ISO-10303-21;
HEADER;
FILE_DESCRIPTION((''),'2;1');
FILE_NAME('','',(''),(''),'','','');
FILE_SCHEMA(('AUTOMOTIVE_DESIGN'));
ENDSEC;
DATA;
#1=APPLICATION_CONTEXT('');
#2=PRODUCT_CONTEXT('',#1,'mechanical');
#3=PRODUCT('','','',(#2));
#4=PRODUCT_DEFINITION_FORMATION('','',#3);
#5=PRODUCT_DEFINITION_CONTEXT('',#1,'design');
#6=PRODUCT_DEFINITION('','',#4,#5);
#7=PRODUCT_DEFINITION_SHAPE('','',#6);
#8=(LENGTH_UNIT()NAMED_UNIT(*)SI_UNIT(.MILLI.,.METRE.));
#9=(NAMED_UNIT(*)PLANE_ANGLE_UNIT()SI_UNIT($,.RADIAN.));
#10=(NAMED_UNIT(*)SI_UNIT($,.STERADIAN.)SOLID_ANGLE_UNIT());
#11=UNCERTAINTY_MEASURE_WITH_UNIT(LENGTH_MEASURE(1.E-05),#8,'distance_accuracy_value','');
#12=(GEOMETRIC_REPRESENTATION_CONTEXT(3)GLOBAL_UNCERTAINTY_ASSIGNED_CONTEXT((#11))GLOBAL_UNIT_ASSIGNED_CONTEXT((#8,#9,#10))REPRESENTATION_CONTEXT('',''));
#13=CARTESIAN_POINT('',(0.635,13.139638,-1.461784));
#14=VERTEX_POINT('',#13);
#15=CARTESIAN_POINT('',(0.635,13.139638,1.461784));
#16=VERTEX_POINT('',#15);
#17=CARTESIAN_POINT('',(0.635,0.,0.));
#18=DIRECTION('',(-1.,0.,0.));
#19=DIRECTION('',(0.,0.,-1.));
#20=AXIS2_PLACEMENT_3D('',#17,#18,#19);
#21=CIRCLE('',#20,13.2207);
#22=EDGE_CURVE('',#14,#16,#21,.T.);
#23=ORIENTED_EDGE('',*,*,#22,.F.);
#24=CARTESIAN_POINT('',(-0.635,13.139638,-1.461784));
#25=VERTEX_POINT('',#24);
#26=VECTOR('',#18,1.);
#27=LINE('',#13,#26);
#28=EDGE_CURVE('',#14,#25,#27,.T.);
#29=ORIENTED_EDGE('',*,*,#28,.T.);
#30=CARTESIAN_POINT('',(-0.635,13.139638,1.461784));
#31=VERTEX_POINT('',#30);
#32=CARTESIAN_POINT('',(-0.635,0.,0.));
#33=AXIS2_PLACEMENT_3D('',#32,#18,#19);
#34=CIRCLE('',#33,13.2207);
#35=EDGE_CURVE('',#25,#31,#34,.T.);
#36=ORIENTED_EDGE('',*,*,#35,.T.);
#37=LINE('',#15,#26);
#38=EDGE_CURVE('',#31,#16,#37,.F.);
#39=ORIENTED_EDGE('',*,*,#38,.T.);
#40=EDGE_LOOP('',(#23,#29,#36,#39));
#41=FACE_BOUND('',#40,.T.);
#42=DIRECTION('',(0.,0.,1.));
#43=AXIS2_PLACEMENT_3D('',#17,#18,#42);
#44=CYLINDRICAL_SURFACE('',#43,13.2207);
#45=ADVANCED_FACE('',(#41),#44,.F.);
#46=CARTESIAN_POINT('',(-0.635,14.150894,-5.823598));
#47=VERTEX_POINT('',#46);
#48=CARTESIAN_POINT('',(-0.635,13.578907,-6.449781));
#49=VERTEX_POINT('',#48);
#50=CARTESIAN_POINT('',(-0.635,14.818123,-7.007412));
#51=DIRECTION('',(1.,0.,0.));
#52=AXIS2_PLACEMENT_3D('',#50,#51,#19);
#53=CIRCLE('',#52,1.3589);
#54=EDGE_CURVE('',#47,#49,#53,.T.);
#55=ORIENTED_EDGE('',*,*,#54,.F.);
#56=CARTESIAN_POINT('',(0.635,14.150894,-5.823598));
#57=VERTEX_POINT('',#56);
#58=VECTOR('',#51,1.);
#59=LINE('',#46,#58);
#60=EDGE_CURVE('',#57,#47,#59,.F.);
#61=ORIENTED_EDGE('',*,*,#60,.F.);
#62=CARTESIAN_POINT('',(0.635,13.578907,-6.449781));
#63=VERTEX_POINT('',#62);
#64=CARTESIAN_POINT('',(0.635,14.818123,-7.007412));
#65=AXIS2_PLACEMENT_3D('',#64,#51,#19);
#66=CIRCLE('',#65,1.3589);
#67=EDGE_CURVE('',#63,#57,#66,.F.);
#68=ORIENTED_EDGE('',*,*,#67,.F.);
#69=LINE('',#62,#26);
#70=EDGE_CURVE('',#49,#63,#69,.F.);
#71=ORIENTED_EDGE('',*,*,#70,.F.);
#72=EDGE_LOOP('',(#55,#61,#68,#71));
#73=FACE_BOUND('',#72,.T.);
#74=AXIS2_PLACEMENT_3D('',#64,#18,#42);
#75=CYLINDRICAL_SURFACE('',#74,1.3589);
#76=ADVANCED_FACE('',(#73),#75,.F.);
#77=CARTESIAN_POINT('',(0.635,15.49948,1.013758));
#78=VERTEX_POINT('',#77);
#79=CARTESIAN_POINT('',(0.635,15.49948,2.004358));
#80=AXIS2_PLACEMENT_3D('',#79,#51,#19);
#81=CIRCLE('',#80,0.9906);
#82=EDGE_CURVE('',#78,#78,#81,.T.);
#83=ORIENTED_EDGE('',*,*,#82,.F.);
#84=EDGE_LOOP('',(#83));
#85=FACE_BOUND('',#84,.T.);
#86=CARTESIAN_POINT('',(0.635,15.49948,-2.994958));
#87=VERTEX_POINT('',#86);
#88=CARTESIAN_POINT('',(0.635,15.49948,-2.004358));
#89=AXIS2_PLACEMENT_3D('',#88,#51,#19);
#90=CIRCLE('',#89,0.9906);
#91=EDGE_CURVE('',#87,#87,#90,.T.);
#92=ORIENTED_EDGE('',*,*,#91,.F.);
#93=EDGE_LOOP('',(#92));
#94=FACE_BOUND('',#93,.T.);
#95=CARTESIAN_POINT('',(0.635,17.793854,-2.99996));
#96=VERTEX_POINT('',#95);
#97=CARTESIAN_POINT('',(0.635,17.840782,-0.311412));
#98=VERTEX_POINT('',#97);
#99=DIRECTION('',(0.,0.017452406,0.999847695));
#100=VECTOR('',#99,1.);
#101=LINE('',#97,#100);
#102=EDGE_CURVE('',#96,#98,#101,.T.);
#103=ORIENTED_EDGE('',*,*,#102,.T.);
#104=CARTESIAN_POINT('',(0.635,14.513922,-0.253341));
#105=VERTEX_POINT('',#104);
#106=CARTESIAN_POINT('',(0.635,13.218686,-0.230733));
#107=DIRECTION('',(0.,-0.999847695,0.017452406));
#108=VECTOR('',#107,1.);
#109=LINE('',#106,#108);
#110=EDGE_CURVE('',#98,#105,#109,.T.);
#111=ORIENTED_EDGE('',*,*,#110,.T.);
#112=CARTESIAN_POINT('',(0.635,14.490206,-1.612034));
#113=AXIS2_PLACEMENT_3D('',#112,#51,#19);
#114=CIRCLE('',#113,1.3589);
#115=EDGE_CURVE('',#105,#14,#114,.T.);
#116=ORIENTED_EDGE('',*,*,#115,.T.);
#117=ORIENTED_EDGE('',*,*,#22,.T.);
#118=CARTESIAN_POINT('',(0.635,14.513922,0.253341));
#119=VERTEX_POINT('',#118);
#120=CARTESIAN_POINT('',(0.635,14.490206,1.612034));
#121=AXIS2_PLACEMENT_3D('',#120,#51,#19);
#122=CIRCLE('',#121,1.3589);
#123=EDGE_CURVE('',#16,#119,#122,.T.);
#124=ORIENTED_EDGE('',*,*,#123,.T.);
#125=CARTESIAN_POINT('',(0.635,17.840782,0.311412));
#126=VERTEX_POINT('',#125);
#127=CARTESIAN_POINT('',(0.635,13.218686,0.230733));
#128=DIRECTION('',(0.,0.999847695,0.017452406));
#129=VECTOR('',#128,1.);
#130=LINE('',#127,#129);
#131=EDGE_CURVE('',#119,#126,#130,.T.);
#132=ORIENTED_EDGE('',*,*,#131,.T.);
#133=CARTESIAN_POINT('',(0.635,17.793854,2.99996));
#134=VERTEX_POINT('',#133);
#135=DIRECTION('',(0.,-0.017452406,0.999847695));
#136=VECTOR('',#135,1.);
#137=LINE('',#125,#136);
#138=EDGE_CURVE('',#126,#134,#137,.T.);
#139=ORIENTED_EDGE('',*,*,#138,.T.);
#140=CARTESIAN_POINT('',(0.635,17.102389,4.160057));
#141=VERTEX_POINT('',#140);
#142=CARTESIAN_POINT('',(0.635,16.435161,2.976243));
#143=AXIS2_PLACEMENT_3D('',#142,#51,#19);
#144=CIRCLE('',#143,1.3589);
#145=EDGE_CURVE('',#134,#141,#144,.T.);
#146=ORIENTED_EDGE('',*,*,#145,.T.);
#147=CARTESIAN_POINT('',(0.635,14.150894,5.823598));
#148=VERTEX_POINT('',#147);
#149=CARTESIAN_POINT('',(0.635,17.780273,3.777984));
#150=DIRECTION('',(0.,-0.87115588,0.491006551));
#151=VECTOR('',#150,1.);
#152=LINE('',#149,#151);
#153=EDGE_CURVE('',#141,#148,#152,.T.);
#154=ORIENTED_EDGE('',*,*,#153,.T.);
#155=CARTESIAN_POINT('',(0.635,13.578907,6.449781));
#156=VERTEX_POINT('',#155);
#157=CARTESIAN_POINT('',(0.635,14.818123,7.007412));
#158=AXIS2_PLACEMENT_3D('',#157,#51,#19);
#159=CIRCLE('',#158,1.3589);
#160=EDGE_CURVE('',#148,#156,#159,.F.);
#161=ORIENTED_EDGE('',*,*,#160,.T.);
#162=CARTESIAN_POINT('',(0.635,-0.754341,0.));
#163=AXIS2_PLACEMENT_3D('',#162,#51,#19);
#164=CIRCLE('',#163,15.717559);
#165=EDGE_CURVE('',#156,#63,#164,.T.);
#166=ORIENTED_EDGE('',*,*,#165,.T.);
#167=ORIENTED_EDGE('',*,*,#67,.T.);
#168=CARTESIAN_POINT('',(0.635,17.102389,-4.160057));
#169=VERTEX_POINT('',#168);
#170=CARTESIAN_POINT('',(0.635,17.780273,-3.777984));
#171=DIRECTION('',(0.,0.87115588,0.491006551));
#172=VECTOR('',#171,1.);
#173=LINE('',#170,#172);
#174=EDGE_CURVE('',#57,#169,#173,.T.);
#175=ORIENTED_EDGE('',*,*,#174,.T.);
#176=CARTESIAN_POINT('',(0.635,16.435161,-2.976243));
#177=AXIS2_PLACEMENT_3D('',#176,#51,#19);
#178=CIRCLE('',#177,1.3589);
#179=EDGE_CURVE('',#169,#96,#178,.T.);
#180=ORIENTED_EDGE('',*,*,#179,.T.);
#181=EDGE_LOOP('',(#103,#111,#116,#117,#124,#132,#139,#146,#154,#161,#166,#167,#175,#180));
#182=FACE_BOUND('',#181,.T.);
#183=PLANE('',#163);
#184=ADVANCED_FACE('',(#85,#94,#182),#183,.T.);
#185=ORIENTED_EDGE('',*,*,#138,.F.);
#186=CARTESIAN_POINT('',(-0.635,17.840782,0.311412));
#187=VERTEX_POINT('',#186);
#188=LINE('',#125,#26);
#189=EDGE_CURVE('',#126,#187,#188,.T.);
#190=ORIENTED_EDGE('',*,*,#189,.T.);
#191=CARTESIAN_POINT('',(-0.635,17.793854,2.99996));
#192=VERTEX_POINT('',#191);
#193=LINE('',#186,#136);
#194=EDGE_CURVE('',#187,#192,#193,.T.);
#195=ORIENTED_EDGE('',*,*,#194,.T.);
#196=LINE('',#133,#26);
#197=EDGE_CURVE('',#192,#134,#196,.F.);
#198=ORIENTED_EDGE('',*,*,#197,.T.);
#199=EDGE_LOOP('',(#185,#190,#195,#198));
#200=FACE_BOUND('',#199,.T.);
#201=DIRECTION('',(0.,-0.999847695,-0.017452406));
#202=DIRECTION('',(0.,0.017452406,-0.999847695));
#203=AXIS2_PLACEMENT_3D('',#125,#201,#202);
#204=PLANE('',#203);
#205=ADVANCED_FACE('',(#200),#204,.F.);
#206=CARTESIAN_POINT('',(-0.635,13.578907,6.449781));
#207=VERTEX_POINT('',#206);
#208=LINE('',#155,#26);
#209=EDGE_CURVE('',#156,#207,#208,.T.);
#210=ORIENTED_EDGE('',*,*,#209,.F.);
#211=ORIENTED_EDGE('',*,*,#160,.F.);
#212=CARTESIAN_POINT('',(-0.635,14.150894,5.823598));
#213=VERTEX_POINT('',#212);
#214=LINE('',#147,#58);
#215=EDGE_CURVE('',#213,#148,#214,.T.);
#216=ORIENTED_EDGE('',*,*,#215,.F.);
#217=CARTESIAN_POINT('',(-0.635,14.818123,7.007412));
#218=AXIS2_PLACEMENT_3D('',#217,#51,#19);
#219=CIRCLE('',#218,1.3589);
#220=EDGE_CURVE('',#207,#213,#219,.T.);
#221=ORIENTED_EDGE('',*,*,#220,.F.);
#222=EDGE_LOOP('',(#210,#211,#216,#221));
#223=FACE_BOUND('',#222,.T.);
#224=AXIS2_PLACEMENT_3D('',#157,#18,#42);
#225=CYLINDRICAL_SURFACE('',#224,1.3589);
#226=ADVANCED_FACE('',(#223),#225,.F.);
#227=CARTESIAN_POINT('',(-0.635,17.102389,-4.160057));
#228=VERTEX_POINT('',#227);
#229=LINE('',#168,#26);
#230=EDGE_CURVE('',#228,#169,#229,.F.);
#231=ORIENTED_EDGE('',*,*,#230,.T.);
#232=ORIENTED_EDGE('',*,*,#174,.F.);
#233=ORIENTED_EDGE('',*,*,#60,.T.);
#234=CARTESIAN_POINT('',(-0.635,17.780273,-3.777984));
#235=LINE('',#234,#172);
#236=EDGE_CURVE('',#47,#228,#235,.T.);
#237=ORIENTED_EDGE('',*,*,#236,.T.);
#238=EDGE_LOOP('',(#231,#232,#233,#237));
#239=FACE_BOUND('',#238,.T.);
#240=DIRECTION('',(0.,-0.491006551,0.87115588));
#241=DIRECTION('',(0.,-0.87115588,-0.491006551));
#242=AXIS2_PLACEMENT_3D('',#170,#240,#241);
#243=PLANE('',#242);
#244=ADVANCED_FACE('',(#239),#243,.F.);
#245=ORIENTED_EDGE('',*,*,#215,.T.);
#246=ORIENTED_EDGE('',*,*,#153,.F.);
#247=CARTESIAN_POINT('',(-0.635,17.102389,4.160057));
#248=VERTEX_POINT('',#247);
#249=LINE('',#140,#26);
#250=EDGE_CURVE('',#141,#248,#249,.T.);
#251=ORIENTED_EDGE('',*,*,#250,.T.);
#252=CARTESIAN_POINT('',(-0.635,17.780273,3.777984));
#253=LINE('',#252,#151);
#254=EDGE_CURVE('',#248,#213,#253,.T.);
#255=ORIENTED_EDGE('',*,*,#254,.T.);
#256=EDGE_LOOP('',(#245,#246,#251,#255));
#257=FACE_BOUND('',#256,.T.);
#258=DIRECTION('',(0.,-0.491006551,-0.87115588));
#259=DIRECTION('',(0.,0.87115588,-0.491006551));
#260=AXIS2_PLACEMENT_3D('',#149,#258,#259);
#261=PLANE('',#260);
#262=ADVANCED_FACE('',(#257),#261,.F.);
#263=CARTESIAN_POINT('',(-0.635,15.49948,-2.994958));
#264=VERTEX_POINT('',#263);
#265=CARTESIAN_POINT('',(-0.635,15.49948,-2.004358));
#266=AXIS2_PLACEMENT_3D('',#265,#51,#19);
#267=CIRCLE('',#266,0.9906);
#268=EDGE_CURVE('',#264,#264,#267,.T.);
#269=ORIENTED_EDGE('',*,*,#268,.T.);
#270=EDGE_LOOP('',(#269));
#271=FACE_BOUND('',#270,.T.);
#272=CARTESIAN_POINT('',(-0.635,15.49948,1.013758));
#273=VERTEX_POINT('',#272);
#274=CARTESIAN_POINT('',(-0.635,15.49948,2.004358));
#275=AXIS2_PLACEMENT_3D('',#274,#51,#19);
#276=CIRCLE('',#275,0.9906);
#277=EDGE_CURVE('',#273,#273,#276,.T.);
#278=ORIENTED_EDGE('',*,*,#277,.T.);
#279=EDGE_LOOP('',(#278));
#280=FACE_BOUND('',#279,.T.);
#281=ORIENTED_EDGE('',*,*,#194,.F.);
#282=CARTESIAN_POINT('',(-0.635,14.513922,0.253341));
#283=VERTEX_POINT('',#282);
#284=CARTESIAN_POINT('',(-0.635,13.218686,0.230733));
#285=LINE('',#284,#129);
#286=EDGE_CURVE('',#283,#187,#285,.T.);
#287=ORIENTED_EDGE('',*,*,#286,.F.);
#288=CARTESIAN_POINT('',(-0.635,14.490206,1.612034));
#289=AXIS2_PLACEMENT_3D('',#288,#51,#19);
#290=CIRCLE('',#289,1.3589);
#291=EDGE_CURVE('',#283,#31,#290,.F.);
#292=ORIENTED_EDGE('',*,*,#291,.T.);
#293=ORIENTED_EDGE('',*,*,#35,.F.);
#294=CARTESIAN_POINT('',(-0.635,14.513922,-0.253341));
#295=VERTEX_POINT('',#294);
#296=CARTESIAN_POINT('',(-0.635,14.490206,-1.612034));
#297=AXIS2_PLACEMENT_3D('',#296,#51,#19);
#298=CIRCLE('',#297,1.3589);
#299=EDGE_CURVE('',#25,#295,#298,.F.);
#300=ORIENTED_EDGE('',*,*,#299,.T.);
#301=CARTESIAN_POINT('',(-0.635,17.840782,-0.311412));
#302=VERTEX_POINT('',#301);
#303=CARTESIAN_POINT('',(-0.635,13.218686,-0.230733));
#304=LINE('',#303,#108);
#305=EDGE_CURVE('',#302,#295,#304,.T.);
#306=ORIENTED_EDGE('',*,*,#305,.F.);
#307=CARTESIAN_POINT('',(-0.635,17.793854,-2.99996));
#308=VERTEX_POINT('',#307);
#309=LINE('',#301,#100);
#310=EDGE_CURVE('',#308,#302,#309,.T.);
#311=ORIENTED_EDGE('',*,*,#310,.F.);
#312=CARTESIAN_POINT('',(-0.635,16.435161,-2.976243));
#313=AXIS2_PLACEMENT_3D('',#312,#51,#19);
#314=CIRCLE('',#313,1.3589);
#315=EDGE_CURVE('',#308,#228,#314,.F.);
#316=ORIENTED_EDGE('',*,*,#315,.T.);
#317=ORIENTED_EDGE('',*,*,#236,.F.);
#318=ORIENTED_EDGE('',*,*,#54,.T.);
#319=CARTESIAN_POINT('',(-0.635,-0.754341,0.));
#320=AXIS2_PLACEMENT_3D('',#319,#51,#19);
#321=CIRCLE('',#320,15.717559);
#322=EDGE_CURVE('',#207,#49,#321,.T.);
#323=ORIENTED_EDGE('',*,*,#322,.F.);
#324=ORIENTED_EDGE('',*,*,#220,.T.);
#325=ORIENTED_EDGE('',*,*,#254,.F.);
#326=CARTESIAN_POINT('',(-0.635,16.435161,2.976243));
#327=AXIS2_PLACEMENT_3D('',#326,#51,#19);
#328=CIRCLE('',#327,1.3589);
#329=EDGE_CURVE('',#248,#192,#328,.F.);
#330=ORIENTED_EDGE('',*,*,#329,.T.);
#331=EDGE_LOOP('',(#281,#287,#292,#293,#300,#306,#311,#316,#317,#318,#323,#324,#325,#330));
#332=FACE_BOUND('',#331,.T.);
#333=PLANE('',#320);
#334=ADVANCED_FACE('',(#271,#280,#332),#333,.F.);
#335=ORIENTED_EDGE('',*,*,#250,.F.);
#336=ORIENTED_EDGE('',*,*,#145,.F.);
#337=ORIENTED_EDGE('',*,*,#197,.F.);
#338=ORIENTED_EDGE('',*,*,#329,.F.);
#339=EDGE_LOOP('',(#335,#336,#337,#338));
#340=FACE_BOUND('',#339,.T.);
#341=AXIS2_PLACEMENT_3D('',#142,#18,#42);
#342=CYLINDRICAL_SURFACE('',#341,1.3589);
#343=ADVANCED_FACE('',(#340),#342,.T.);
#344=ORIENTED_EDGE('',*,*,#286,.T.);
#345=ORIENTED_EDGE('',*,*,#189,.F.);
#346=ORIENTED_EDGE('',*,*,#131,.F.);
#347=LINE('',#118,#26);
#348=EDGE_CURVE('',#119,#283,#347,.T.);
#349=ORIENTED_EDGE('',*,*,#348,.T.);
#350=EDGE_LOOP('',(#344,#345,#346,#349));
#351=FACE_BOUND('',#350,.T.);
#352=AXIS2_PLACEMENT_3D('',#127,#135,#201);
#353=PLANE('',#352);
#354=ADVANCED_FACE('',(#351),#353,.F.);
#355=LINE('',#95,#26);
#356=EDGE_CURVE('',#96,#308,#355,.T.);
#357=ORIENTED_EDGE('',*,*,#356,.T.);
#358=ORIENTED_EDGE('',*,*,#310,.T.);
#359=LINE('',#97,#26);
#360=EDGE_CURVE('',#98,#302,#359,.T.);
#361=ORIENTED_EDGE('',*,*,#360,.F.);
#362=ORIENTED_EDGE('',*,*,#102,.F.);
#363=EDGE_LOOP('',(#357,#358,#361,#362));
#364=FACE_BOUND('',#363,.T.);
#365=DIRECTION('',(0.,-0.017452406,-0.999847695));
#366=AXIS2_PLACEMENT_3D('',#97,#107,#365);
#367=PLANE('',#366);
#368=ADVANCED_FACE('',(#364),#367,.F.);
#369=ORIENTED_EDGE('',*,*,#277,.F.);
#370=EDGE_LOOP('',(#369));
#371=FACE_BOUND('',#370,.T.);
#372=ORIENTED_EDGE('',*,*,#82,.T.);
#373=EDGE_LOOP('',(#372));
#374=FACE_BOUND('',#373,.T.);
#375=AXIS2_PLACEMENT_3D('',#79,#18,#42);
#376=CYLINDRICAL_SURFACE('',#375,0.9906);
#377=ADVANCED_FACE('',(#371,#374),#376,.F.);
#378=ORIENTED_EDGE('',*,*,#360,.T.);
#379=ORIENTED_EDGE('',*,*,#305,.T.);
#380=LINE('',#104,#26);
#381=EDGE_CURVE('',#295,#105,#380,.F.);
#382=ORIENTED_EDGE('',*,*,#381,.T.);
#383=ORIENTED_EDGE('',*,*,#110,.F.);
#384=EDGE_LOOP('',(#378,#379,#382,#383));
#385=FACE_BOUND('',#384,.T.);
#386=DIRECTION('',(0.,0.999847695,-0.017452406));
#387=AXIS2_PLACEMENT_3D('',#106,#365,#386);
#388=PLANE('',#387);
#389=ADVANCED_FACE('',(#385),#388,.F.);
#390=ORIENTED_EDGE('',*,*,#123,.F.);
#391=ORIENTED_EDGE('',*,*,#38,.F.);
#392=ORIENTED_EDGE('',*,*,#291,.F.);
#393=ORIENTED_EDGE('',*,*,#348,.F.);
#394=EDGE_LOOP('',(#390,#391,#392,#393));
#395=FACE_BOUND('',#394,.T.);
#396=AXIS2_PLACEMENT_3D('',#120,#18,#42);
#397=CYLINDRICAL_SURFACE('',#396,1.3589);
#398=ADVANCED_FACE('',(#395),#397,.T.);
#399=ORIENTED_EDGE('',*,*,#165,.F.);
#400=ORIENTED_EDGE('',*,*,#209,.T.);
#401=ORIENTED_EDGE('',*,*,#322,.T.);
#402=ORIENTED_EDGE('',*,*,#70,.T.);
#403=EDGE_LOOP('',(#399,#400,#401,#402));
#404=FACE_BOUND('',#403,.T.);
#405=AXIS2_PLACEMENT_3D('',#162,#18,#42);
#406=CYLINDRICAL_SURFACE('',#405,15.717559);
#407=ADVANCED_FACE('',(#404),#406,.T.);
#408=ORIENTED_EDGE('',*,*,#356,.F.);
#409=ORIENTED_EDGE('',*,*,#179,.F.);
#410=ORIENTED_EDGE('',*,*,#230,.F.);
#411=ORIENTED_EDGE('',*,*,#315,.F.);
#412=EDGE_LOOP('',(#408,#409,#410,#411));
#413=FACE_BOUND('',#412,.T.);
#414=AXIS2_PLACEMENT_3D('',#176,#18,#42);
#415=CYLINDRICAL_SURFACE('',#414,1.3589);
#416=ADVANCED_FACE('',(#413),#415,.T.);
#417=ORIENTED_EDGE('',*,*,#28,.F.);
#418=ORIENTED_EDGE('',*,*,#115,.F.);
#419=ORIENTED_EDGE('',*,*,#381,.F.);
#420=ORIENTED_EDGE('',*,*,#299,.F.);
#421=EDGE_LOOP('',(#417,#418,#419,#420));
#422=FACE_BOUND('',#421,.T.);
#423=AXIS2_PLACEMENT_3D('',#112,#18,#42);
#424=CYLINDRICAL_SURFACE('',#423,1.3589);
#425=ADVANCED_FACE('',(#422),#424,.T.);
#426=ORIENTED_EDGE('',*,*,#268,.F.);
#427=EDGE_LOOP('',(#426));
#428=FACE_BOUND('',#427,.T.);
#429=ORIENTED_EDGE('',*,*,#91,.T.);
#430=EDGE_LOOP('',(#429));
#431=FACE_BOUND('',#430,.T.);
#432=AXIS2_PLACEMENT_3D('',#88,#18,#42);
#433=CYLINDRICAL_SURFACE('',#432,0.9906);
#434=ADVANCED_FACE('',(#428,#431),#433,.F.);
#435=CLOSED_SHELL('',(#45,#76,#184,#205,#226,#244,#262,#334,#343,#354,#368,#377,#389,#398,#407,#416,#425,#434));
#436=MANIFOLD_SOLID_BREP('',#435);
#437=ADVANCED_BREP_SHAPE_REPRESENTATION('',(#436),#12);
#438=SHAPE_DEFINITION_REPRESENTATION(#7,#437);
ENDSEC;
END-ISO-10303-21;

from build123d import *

# Parameters (mm, degrees)
SKETCH3_R                = 0.9906
BOSS_EXTRUDE1_DEPTH      = 0.635
BOSS_EXTRUDE1_DEPTH_BACK = 0.635
FILLET1_R                = 1.3589


with BuildPart() as part:
    # Sketch3 → Boss-Extrude1 (new body, two sides)
    with BuildSketch(Plane(origin=(0, 0, 0), x_dir=(0, 0, -1), z_dir=(1, 0, 0))) as boss_extrude1_sk:
        with BuildLine():
            Line((-3.777983958, 17.78027311), (-6.047809043, 13.75309371))
            ThreePointArc((-6.047809043, 13.75309371), (0, -16.4719), (6.047809043, 13.75309371))
            Line((6.047809043, 13.75309371), (3.777983958, 17.78027311))
            Line((3.777983958, 17.78027311), (0.311412014, 17.840782349))
            Line((0.311412014, 17.840782349), (0.23073303, 13.218686423))
            ThreePointArc((0.23073303, 13.218686423), (0, -13.2207), (-0.23073303, 13.218686423))
            Line((-0.23073303, 13.218686423), (-0.311412014, 17.840782349))
            Line((-0.311412014, 17.840782349), (-3.777983958, 17.78027311))
        make_face()
        with Locations((-2.004358494, 15.499479767)):
            Circle(SKETCH3_R, mode=Mode.SUBTRACT)
        with Locations((2.004358494, 15.499479767)):
            Circle(SKETCH3_R, mode=Mode.SUBTRACT)
    extrude(amount=BOSS_EXTRUDE1_DEPTH)
    extrude(boss_extrude1_sk.sketch, amount=-BOSS_EXTRUDE1_DEPTH_BACK)

    # Fillet1
    fillet1_edges = [part.edges().sort_by_distance(p)[0] for p in [
        (0, 13.75309371, 6.047809043),
        (0, 17.78027311, 3.777983958),
        (0, 13.218686423, 0.23073303),
        (0, 13.218686423, -0.23073303),
        (0, 17.78027311, -3.777983958),
        (0, 13.75309371, -6.047809043),
    ]]
    fillet(fillet1_edges, radius=FILLET1_R)


solid = part.part
